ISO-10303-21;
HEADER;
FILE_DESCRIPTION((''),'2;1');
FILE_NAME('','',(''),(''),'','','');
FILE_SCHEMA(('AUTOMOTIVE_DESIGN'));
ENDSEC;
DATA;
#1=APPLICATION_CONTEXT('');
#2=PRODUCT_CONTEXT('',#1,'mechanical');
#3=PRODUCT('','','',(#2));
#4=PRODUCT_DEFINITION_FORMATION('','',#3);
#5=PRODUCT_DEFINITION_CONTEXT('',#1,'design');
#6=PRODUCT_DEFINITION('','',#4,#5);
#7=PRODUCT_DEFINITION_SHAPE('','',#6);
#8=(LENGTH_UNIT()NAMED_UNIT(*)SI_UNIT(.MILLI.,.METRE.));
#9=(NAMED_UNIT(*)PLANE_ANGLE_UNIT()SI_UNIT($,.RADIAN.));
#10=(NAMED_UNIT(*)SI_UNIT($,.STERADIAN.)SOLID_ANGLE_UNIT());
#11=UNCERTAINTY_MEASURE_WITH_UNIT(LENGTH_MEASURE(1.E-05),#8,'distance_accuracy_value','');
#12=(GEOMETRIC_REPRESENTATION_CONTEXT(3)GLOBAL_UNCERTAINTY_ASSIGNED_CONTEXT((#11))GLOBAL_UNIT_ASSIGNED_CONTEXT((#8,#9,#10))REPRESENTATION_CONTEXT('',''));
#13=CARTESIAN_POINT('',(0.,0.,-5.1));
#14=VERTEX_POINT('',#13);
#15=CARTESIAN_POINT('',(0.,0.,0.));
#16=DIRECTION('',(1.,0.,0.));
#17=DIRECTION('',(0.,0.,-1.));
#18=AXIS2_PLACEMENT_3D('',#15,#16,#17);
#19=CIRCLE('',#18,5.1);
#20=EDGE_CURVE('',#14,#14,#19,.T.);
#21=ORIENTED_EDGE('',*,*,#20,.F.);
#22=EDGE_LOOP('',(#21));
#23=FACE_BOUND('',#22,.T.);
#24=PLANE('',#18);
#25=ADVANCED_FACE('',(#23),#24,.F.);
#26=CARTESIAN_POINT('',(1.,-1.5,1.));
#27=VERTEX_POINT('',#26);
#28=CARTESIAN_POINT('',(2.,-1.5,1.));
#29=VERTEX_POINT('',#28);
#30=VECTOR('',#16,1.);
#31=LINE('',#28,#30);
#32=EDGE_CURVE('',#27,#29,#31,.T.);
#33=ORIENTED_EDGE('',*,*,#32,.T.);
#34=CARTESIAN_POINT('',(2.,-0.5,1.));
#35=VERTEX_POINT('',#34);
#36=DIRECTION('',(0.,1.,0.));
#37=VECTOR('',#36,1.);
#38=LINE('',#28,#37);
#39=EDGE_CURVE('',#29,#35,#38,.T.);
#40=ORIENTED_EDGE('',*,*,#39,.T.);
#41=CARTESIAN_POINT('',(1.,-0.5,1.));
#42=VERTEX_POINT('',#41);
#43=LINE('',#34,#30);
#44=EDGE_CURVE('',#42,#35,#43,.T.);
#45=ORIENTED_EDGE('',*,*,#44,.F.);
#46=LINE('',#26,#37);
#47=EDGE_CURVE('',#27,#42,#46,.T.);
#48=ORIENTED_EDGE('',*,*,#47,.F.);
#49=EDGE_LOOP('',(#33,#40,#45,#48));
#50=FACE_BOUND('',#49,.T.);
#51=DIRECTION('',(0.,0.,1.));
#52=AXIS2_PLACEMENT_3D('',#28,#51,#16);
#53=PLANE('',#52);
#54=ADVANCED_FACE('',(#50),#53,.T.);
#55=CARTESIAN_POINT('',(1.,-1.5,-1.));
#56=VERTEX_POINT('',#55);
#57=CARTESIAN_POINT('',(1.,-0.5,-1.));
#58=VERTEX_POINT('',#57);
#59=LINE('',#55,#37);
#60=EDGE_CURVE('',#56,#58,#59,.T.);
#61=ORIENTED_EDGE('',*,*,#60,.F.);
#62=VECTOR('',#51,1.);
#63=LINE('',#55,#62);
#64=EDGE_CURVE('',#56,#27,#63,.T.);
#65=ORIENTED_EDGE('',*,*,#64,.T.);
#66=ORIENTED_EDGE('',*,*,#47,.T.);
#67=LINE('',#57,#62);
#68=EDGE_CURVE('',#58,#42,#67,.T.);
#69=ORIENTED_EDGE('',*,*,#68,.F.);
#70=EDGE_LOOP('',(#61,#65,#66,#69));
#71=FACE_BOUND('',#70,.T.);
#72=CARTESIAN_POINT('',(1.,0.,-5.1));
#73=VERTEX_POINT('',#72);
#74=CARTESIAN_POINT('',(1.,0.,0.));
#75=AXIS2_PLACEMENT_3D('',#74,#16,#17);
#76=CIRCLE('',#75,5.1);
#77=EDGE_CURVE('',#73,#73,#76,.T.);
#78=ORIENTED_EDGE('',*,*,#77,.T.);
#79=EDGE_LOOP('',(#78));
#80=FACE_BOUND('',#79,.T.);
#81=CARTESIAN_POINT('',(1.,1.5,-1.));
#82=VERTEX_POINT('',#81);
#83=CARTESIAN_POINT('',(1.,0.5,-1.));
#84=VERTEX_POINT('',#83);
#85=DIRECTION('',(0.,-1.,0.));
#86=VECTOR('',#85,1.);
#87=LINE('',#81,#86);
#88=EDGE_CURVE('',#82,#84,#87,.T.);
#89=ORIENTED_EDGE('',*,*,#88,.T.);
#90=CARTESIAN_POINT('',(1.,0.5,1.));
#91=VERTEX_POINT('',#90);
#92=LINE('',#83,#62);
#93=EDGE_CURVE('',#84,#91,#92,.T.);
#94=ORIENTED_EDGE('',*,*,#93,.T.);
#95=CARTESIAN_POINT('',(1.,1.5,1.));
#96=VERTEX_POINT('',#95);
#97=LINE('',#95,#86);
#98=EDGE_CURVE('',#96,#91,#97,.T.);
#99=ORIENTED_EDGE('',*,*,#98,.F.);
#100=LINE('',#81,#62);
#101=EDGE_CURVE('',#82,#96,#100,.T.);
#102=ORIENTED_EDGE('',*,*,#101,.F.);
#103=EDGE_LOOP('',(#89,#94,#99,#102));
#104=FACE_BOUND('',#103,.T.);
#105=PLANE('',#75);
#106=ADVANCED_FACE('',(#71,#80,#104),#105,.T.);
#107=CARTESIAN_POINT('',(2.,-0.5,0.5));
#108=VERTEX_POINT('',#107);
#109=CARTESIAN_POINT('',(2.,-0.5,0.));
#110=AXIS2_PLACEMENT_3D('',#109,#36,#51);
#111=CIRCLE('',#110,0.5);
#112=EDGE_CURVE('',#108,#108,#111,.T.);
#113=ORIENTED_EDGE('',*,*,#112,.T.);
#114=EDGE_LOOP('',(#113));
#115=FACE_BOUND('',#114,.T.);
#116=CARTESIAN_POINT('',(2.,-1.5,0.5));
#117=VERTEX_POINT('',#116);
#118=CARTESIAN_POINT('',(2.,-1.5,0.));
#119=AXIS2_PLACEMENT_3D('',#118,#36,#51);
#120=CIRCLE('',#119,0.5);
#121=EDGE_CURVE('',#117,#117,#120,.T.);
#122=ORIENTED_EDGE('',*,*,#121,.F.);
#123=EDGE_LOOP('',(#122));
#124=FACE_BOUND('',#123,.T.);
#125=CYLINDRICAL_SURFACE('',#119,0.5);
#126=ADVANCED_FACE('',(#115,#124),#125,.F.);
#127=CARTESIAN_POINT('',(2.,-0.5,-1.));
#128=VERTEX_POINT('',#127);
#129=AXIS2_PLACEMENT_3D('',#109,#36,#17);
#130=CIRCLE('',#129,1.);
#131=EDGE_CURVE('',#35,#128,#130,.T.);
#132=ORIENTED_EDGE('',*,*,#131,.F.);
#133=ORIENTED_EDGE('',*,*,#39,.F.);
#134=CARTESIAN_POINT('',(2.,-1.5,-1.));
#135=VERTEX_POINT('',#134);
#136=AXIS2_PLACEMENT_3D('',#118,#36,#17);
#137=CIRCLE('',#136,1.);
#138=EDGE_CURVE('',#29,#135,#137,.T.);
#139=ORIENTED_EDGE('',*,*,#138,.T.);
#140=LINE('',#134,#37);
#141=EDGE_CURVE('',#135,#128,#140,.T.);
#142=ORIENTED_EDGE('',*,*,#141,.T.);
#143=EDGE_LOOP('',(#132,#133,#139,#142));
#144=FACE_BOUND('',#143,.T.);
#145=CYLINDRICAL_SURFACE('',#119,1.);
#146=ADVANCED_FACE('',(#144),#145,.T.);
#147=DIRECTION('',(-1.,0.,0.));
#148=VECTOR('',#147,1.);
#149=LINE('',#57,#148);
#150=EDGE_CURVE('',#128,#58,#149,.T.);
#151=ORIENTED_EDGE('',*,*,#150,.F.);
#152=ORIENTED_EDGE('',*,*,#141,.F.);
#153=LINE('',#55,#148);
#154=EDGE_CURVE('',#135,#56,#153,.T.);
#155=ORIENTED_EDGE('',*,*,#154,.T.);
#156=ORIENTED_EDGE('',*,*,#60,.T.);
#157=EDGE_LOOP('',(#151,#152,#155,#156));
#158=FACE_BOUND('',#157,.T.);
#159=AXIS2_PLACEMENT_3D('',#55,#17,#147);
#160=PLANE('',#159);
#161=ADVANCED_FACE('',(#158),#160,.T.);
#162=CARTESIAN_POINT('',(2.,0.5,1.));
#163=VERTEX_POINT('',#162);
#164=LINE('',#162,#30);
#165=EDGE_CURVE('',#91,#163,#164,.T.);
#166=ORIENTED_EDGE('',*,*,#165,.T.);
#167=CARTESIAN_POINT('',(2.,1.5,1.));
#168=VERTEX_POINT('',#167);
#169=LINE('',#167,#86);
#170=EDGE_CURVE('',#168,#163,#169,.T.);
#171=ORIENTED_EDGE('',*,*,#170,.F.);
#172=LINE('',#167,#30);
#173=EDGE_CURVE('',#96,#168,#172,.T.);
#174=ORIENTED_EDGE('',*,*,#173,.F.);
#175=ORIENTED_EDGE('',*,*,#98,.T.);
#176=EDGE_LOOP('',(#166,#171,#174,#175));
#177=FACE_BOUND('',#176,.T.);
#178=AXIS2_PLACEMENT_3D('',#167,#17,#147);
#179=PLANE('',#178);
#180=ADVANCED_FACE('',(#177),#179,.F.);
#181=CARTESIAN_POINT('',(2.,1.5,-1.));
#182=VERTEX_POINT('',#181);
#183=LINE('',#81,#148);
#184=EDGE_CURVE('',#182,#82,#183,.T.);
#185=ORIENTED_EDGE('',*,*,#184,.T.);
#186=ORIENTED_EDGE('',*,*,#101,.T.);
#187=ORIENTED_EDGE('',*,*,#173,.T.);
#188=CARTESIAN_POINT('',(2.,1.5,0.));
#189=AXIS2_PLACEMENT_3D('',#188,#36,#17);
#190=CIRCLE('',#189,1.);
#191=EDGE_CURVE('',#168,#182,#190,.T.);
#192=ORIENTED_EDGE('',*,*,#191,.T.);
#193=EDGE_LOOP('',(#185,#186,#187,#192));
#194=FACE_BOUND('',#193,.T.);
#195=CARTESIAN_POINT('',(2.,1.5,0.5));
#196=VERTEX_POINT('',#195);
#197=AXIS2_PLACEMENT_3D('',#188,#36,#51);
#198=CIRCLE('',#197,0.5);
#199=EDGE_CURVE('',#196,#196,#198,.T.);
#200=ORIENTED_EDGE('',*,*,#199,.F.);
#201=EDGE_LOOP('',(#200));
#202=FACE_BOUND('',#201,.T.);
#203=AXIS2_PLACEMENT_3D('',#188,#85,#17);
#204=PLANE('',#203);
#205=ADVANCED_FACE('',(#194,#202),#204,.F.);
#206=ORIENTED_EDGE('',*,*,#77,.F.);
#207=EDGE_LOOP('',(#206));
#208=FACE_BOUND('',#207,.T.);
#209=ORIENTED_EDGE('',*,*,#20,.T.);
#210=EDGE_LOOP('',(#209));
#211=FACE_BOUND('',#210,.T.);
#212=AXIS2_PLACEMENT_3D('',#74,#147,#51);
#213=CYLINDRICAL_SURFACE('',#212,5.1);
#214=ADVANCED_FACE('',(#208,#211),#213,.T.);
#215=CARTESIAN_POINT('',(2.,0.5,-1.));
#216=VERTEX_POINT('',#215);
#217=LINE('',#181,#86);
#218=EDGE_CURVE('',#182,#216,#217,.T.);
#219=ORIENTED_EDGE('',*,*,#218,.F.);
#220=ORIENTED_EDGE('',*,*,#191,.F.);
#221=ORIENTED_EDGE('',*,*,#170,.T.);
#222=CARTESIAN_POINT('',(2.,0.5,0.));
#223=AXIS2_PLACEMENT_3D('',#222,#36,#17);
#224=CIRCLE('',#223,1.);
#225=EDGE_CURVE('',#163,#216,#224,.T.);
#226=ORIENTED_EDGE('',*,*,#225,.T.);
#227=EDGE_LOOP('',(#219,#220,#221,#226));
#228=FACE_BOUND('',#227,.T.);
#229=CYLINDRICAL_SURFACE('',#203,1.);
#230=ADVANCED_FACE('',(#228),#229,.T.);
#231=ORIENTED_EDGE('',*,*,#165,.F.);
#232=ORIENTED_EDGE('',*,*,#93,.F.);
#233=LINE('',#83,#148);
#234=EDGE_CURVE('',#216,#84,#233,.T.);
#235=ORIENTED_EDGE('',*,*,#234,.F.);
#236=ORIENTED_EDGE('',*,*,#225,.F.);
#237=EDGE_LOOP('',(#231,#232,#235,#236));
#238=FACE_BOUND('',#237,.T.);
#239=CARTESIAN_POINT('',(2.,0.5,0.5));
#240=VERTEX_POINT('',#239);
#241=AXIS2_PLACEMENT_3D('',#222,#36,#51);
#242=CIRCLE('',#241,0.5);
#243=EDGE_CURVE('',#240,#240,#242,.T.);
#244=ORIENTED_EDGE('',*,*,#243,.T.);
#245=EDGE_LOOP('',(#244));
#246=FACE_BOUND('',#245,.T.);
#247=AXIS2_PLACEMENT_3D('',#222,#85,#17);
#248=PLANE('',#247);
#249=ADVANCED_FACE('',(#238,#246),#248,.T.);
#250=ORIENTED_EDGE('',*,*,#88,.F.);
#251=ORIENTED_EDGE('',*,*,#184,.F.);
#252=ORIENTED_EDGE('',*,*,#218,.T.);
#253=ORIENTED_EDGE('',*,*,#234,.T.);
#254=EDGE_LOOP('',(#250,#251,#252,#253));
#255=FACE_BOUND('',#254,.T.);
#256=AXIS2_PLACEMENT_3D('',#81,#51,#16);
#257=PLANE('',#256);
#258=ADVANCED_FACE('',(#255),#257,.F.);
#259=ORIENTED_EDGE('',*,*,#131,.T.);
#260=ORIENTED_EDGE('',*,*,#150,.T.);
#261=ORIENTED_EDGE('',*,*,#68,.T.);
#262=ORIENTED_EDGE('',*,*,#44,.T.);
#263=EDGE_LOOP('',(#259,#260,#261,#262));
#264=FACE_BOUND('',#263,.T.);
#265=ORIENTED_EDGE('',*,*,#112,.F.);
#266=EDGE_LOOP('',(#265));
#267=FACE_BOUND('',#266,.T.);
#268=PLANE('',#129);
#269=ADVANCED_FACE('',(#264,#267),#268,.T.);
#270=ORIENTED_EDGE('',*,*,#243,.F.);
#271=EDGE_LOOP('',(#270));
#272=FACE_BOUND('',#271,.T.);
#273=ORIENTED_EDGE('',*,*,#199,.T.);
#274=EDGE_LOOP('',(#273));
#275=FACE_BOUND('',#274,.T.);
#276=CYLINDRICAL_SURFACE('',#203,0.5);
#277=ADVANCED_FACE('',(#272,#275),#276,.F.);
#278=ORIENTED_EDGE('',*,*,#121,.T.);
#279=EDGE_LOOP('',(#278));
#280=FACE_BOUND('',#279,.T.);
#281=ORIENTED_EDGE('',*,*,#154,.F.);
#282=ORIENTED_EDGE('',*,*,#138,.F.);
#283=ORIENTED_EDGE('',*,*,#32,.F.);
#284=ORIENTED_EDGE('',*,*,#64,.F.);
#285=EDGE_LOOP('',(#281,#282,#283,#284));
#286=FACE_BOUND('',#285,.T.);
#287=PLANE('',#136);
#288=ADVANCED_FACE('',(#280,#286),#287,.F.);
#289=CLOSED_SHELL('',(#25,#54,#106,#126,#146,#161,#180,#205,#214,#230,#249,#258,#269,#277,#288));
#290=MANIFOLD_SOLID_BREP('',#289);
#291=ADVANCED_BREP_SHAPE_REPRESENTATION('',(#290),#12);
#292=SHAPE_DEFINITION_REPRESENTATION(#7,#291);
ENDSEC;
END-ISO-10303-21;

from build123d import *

# Parameters (mm, degrees)
SKETCH1_R           = 5.1
BOSS_EXTRUDE1_DEPTH = 1
BOSS_EXTRUDE2_START = 0.5
SKETCH2_R           = 0.5
BOSS_EXTRUDE2_DEPTH = 1


with BuildPart() as part:
    # Sketch1 → Boss-Extrude1 (new body)
    with BuildSketch(Plane(origin=(0, 0, 0), x_dir=(0, 0, -1), z_dir=(1, 0, 0))):
        Circle(SKETCH1_R)
    extrude(amount=BOSS_EXTRUDE1_DEPTH)

    # Sketch2 → Boss-Extrude2 (add)
    with BuildSketch(Plane(origin=(0, 0, 0), x_dir=(1, 0, 0), z_dir=(0, 1, 0)).offset(BOSS_EXTRUDE2_START)):
        with BuildLine():
            Line((1, 1), (2, 1))
            ThreePointArc((2, 1), (3, 0), (2, -1))
            Line((2, -1), (1, -1))
            Line((1, -1), (1, 1))
        make_face()
        with Locations((2, 0)):
            Circle(SKETCH2_R, mode=Mode.SUBTRACT)
    boss_extrude2 = extrude(amount=BOSS_EXTRUDE2_DEPTH)

    # Mirror1: Boss-Extrude2 across plane
    add(boss_extrude2.mirror(Plane.ZX))


solid = part.part
